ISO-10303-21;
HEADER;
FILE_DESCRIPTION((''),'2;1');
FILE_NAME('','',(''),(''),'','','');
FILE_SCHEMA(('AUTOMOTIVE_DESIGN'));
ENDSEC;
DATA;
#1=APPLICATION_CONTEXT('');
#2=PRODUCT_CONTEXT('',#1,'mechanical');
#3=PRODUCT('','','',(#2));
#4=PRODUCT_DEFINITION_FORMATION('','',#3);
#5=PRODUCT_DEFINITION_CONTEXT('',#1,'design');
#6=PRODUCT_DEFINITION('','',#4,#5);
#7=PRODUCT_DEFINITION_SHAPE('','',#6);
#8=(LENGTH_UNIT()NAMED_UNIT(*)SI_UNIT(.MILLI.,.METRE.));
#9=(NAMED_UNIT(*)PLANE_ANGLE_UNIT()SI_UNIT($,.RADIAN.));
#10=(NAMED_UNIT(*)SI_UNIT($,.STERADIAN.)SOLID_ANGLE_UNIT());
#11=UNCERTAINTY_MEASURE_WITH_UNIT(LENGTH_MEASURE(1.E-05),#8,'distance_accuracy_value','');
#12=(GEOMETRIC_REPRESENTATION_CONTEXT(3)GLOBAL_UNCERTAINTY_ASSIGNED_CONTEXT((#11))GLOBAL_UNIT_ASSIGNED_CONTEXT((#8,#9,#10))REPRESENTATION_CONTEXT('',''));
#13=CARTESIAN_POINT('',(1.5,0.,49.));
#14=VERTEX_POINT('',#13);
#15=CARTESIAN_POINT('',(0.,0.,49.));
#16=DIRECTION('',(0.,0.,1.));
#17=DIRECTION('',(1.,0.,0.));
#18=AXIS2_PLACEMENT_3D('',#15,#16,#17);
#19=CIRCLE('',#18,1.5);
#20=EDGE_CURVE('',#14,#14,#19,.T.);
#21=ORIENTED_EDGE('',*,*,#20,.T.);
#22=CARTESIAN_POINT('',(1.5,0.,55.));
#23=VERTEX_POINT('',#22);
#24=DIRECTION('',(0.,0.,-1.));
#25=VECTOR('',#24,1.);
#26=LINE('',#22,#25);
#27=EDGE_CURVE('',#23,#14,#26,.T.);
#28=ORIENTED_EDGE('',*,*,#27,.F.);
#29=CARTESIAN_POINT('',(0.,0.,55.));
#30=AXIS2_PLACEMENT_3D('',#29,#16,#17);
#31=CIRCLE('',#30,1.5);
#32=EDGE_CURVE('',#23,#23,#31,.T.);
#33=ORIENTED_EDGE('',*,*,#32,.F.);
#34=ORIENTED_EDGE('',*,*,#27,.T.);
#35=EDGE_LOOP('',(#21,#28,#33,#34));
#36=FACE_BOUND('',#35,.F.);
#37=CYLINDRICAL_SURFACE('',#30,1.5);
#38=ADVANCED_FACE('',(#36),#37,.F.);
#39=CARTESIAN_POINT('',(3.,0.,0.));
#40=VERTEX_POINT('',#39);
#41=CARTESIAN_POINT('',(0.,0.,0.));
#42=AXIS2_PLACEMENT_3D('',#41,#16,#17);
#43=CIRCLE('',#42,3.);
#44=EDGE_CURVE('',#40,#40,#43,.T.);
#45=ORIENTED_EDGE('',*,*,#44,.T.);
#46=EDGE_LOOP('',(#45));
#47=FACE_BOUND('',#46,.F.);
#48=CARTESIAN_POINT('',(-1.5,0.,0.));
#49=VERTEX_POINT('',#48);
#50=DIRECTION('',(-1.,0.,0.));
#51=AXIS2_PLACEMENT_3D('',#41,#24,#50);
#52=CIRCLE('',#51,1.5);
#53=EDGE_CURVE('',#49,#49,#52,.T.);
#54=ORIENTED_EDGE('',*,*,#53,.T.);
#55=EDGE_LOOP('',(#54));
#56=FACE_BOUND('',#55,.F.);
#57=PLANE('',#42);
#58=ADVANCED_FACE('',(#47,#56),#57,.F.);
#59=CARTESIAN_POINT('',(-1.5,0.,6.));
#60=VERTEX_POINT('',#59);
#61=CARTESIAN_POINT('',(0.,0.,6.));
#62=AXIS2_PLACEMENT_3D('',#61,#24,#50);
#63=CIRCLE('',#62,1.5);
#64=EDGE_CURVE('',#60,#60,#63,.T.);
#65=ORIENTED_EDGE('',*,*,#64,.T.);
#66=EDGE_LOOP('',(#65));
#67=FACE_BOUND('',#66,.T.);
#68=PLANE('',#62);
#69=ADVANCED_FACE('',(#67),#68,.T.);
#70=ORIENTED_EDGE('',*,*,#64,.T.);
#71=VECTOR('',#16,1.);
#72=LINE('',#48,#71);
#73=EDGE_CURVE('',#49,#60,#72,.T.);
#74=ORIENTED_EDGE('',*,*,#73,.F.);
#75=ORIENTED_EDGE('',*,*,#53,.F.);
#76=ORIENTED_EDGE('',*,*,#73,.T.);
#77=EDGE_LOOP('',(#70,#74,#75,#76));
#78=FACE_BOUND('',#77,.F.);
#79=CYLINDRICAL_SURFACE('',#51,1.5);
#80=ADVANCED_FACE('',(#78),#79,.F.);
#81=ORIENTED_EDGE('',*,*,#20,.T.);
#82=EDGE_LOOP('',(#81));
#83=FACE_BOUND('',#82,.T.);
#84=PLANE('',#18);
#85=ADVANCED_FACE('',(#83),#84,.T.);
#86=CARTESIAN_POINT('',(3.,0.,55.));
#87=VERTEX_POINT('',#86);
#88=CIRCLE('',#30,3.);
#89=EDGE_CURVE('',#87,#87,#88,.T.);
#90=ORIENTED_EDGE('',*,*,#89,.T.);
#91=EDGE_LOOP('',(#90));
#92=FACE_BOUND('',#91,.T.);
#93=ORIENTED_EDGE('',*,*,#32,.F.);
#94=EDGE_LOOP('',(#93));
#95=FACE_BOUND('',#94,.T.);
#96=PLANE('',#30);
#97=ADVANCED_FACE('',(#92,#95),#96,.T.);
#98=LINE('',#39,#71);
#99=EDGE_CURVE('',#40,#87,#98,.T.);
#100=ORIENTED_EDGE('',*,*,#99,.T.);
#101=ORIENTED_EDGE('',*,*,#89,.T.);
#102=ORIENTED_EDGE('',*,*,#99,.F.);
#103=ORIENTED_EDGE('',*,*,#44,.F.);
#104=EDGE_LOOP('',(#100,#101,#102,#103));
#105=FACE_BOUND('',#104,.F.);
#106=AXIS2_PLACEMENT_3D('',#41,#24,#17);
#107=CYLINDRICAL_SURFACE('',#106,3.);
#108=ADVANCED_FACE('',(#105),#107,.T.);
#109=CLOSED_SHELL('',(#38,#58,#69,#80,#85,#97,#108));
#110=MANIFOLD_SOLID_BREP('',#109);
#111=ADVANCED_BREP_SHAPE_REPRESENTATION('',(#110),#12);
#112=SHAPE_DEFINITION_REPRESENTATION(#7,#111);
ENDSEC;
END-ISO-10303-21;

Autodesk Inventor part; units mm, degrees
ref_plane "YZ Plane" through (0, 0, 0) normal (1, 0, 0) x (0, 1, 0)
ref_plane "XZ Plane" through (0, 0, 0) normal (0, 1, 0) x (-1, 0, 0)
ref_plane "XY Plane" through (0, 0, 0) normal (0, 0, 1) x (1, 0, 0)
sketch "スケッチ1" plane through (0, 0, 0) normal (0, 0, 1) x (1, 0, 0)
  circle A0 centre (0, 0) radius 3
  dimension "d0" = 6
extrude "押し出し1" add sketch "スケッチ1" along normal blind 55
sketch "スケッチ2" plane through (0, 0, 55) normal (0, 0, 1) x (1, 0, 0)
  circle A0 centre (0, 0) radius 1.5
  dimension "d3" = 3
extrude "押し出し2" cut sketch "スケッチ2" against normal blind 6
sketch "スケッチ3" plane through (0, 0, 0) normal (0, 0, -1) x (-1, 0, 0)
  circle A0 centre (0, 0) radius 1.5 projected
  circle A1 centre (0, 0) radius 1.5
  dimension "d6" = 3
extrude "押し出し3" cut sketch "スケッチ3" against normal blind 6
properties part number "スペーサーm3-55" material "アルミニウム 2014-T4"
